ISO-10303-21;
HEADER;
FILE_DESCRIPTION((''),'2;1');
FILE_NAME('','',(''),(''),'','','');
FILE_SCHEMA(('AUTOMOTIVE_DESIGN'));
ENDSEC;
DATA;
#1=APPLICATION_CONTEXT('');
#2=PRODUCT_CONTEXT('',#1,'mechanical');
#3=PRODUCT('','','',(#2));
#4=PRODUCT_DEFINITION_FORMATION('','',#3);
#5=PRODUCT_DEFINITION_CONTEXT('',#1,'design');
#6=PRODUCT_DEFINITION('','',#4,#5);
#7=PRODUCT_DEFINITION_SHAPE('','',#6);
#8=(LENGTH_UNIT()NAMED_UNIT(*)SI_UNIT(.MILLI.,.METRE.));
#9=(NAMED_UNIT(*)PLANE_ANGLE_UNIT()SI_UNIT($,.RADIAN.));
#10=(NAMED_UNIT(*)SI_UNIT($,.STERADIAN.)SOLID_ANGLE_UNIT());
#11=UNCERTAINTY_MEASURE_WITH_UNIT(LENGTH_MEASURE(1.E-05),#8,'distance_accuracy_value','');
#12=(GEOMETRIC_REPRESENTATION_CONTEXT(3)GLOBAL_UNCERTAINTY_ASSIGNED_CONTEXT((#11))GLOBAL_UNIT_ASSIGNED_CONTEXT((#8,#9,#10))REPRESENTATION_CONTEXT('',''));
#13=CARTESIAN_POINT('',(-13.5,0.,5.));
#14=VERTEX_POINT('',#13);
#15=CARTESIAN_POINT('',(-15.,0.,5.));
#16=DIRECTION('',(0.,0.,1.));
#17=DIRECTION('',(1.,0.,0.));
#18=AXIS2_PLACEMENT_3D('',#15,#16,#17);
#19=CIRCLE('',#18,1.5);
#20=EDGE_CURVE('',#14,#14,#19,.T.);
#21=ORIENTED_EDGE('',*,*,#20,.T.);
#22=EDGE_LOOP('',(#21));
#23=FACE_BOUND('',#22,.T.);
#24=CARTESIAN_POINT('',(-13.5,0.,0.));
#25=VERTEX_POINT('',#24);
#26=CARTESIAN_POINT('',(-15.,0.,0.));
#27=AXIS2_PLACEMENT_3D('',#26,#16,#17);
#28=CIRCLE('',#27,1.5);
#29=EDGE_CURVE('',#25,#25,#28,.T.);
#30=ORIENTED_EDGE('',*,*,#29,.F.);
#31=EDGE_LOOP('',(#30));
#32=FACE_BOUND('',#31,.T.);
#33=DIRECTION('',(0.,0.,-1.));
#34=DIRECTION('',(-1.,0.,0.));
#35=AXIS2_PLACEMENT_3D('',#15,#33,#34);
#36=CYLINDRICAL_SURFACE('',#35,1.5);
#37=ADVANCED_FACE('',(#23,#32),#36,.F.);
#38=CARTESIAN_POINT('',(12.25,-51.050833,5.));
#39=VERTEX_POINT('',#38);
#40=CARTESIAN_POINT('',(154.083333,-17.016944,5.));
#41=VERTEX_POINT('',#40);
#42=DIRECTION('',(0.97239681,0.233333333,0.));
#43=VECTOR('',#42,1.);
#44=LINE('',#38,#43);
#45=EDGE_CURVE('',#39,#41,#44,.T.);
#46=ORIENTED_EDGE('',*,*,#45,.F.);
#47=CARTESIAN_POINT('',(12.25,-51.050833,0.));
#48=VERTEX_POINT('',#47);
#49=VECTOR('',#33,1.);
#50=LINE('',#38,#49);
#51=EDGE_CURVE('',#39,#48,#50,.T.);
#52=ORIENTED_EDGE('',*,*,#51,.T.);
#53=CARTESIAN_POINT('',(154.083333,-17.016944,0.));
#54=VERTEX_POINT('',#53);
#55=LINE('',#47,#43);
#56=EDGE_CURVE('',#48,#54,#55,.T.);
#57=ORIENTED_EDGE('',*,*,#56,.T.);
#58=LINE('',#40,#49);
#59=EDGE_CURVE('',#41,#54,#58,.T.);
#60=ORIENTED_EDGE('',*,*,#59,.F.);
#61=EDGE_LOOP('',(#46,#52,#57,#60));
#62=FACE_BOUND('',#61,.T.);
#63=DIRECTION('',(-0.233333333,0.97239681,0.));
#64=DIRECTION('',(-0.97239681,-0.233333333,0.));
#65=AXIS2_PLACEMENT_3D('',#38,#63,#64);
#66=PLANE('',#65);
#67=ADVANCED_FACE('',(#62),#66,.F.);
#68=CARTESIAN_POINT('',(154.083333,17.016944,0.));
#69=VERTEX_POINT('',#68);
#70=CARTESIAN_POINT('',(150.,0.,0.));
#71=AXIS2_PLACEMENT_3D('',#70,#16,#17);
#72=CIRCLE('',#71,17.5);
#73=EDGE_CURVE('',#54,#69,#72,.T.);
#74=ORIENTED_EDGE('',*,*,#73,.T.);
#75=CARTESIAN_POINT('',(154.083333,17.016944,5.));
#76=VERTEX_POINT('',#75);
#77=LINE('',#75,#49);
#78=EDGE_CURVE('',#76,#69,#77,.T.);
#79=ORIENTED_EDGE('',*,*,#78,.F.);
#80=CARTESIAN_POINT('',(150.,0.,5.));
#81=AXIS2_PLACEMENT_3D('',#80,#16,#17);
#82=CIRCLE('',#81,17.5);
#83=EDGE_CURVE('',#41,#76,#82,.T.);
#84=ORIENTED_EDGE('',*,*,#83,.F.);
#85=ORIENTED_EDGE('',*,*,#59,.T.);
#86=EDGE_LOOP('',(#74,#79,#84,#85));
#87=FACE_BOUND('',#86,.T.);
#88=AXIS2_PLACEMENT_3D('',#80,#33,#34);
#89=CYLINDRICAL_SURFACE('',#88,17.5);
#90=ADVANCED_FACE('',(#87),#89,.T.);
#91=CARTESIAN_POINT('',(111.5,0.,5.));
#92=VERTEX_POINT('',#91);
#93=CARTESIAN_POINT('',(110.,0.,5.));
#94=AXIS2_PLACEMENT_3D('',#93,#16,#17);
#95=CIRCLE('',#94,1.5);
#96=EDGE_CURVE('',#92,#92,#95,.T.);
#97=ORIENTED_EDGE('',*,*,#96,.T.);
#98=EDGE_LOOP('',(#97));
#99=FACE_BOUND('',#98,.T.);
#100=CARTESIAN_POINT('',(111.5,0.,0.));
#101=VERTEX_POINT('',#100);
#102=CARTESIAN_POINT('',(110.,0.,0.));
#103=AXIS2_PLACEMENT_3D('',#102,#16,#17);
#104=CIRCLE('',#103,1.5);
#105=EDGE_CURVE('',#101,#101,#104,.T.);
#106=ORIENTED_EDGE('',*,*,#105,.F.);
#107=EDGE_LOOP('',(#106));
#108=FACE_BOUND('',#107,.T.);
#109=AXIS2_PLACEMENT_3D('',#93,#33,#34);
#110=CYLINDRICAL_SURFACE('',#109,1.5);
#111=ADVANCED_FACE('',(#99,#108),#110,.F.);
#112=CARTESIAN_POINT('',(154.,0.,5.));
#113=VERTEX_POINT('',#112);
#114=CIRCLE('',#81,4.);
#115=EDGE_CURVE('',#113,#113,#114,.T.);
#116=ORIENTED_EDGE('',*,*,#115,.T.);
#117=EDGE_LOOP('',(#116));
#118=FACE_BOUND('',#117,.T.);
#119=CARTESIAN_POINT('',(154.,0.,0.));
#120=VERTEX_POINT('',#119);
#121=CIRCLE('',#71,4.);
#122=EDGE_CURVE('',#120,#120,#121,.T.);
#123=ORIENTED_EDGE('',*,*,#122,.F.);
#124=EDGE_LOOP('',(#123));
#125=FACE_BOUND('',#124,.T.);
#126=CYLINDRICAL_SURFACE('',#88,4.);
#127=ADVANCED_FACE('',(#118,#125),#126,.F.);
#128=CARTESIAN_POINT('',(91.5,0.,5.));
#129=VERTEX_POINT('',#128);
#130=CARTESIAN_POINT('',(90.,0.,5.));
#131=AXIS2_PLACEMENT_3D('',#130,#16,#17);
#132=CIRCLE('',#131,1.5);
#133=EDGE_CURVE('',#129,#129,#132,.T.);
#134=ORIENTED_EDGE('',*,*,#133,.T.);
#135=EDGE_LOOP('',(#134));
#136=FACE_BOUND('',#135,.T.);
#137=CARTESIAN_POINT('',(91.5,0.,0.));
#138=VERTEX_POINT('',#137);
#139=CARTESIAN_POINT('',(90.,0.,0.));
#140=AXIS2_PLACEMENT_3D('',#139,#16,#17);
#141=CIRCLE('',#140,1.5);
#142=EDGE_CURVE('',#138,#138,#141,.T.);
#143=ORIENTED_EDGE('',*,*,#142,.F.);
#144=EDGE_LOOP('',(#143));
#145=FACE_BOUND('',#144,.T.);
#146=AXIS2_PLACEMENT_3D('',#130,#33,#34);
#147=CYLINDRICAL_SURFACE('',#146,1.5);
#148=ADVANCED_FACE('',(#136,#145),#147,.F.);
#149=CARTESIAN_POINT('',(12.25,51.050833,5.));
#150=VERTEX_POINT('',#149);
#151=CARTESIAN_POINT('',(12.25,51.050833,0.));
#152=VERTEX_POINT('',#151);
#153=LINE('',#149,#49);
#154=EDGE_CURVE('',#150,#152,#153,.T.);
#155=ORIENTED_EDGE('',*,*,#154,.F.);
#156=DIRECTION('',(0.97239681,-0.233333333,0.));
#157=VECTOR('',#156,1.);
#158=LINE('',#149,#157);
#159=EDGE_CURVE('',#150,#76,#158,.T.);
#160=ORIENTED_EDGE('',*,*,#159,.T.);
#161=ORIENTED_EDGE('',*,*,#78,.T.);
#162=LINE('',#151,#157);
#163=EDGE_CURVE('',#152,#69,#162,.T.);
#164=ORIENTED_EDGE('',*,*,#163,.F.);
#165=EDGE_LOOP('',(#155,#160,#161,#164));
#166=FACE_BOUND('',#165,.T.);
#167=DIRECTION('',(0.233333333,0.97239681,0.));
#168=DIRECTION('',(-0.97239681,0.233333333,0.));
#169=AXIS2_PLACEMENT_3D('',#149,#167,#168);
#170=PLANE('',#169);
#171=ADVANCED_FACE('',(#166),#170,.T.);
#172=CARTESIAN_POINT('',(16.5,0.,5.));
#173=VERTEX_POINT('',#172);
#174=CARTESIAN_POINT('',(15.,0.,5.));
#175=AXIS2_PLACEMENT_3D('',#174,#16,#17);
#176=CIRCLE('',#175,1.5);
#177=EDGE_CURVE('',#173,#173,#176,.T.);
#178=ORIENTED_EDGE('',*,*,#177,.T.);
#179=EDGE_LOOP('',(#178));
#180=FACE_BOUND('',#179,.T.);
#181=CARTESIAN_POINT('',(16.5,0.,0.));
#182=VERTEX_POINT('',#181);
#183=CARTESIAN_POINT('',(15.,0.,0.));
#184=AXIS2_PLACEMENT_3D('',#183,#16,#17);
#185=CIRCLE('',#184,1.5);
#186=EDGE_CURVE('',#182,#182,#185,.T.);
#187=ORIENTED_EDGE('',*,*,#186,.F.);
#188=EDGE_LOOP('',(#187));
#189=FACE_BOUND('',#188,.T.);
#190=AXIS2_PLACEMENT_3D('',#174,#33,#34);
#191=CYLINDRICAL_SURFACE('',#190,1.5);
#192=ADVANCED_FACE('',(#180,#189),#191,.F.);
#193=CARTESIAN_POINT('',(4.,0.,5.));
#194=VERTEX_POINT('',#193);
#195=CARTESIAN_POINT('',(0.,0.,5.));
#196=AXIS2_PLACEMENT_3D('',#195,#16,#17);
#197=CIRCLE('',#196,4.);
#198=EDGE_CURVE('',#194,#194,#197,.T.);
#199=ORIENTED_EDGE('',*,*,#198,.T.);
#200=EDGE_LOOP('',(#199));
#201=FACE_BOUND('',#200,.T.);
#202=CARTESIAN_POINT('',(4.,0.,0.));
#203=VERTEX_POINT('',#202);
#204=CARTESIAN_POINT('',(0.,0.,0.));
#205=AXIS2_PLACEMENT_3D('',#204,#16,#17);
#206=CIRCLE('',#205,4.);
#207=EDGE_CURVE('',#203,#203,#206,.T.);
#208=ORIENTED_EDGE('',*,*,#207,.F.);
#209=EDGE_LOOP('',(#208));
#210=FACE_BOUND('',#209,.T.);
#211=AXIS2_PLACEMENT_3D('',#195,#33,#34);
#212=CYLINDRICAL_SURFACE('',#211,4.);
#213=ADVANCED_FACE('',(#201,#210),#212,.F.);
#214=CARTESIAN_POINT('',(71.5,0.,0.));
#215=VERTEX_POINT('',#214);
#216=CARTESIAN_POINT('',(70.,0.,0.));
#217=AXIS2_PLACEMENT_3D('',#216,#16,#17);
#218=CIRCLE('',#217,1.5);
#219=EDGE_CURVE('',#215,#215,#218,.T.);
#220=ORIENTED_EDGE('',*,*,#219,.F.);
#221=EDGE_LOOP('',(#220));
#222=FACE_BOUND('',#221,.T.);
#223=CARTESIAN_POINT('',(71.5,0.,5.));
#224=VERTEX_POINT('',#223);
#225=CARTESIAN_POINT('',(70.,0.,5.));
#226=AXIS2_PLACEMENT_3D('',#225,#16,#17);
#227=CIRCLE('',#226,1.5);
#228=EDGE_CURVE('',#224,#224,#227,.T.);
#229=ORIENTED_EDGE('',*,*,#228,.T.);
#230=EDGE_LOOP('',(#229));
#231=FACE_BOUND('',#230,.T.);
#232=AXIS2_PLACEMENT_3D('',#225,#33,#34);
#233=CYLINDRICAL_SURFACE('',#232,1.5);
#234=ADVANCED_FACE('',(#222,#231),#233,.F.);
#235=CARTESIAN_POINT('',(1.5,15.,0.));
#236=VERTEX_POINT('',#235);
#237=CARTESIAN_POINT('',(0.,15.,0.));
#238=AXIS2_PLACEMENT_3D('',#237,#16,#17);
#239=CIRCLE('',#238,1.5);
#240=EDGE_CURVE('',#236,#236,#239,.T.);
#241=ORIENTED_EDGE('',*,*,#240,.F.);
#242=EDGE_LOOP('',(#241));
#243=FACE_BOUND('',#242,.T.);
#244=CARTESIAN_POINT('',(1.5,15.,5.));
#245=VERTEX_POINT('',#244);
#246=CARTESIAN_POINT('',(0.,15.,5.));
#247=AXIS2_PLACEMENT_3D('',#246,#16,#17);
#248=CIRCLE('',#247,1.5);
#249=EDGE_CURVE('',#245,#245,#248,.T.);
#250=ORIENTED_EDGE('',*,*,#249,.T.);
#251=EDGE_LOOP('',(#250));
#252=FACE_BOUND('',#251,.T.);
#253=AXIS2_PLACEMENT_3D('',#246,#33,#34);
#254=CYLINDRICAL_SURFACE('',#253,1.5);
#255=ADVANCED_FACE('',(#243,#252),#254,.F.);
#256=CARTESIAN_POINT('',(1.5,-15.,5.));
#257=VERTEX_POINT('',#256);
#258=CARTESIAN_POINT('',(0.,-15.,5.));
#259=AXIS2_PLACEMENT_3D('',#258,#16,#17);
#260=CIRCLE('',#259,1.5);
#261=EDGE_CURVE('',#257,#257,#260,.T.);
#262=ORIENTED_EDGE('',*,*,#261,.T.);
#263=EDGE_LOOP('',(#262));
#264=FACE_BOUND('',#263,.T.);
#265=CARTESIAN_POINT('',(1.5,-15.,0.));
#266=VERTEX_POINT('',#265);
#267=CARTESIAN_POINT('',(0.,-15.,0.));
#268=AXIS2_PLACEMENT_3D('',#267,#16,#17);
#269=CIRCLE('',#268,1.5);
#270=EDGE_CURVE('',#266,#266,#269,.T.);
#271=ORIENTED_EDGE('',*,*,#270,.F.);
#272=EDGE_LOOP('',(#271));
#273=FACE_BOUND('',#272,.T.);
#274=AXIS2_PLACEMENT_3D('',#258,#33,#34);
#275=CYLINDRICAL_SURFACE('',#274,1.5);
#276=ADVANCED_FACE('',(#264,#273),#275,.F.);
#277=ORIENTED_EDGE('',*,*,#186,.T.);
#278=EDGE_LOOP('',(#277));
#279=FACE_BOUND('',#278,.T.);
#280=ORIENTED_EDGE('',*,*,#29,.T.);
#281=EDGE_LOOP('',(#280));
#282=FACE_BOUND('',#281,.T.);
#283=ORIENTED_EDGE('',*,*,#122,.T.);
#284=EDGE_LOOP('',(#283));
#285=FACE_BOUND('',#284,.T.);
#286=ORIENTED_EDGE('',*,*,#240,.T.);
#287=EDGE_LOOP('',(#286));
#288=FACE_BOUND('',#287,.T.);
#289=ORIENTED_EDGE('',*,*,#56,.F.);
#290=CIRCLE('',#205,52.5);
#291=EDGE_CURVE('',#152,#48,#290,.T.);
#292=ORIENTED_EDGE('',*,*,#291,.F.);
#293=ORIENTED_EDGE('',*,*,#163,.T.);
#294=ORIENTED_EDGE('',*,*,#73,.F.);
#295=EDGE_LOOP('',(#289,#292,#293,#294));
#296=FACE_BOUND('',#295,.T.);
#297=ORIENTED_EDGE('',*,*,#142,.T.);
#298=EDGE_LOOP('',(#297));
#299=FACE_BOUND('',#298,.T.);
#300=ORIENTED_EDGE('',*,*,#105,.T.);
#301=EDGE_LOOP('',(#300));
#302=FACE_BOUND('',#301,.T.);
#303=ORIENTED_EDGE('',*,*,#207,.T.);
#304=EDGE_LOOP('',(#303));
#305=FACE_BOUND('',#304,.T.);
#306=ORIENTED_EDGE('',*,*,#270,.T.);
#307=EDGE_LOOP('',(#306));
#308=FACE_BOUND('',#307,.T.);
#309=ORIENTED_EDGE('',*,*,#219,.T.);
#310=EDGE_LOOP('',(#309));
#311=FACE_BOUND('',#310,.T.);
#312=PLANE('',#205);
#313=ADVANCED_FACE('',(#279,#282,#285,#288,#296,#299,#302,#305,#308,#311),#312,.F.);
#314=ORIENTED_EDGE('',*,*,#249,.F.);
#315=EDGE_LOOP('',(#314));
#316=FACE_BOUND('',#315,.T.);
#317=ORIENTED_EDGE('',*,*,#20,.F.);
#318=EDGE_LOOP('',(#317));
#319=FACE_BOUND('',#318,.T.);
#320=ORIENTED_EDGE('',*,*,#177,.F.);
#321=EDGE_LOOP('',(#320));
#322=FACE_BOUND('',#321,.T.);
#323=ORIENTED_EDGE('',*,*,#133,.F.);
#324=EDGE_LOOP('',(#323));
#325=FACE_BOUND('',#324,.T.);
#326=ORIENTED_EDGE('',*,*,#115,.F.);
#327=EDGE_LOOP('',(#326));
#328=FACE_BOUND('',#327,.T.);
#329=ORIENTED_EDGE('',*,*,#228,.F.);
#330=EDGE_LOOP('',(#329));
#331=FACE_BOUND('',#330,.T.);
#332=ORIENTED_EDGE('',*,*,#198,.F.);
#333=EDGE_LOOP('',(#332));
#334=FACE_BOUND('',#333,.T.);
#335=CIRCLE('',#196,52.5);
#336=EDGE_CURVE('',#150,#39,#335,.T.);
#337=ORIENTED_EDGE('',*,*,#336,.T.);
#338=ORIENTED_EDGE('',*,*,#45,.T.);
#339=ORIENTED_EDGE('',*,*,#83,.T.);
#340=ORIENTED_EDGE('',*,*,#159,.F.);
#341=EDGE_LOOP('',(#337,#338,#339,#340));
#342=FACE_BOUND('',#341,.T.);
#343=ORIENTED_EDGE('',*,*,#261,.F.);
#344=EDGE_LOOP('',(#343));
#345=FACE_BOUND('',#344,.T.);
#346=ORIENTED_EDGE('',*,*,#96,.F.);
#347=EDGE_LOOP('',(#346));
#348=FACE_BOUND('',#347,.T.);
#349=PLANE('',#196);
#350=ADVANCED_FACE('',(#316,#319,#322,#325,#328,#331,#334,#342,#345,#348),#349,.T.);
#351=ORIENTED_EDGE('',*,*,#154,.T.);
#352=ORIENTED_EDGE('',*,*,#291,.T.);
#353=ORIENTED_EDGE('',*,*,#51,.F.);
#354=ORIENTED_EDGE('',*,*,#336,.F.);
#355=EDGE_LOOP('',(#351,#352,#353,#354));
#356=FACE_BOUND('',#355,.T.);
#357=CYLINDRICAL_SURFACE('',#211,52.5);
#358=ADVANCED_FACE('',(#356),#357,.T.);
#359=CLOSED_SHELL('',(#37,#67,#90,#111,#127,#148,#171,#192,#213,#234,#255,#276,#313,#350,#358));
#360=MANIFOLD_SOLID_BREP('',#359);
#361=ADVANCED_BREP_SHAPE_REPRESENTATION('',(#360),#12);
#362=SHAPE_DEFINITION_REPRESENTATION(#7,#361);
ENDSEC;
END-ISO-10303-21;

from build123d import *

# Parameters (mm, degrees)
SKETCH1_R           = 1.5
SKETCH1_R_2         = 4
BOSS_EXTRUDE1_DEPTH = 5


with BuildPart() as part:
    # Sketch1 → Boss-Extrude1 (new body)
    with BuildSketch(Plane.XY):
        with BuildLine():
            ThreePointArc((12.25, 51.05083251), (-52.5, 0), (12.25, -51.05083251))
            Line((12.25, -51.05083251), (154.083333333, -17.01694417))
            ThreePointArc((154.083333333, -17.01694417), (167.5, 0), (154.083333333, 17.01694417))
            Line((154.083333333, 17.01694417), (12.25, 51.05083251))
        make_face()
        with Locations((0, -15)):
            Circle(SKETCH1_R, mode=Mode.SUBTRACT)
        with Locations((-15, 0)):
            Circle(SKETCH1_R, mode=Mode.SUBTRACT)
        Circle(SKETCH1_R_2, mode=Mode.SUBTRACT)
        with BuildLine():
            ThreePointArc((16.5, 0), (15, -1.5), (13.5, 0))
            ThreePointArc((13.5, 0), (15, 1.5), (16.5, 0))
        make_face(mode=Mode.SUBTRACT)
        with Locations((0, 15)):
            Circle(SKETCH1_R, mode=Mode.SUBTRACT)
        with Locations((70, 0)):
            Circle(SKETCH1_R, mode=Mode.SUBTRACT)
        with Locations((90, 0)):
            Circle(SKETCH1_R, mode=Mode.SUBTRACT)
        with Locations((110, 0)):
            Circle(SKETCH1_R, mode=Mode.SUBTRACT)
        with Locations((150, 0)):
            Circle(SKETCH1_R_2, mode=Mode.SUBTRACT)
    extrude(amount=BOSS_EXTRUDE1_DEPTH)


solid = part.part
